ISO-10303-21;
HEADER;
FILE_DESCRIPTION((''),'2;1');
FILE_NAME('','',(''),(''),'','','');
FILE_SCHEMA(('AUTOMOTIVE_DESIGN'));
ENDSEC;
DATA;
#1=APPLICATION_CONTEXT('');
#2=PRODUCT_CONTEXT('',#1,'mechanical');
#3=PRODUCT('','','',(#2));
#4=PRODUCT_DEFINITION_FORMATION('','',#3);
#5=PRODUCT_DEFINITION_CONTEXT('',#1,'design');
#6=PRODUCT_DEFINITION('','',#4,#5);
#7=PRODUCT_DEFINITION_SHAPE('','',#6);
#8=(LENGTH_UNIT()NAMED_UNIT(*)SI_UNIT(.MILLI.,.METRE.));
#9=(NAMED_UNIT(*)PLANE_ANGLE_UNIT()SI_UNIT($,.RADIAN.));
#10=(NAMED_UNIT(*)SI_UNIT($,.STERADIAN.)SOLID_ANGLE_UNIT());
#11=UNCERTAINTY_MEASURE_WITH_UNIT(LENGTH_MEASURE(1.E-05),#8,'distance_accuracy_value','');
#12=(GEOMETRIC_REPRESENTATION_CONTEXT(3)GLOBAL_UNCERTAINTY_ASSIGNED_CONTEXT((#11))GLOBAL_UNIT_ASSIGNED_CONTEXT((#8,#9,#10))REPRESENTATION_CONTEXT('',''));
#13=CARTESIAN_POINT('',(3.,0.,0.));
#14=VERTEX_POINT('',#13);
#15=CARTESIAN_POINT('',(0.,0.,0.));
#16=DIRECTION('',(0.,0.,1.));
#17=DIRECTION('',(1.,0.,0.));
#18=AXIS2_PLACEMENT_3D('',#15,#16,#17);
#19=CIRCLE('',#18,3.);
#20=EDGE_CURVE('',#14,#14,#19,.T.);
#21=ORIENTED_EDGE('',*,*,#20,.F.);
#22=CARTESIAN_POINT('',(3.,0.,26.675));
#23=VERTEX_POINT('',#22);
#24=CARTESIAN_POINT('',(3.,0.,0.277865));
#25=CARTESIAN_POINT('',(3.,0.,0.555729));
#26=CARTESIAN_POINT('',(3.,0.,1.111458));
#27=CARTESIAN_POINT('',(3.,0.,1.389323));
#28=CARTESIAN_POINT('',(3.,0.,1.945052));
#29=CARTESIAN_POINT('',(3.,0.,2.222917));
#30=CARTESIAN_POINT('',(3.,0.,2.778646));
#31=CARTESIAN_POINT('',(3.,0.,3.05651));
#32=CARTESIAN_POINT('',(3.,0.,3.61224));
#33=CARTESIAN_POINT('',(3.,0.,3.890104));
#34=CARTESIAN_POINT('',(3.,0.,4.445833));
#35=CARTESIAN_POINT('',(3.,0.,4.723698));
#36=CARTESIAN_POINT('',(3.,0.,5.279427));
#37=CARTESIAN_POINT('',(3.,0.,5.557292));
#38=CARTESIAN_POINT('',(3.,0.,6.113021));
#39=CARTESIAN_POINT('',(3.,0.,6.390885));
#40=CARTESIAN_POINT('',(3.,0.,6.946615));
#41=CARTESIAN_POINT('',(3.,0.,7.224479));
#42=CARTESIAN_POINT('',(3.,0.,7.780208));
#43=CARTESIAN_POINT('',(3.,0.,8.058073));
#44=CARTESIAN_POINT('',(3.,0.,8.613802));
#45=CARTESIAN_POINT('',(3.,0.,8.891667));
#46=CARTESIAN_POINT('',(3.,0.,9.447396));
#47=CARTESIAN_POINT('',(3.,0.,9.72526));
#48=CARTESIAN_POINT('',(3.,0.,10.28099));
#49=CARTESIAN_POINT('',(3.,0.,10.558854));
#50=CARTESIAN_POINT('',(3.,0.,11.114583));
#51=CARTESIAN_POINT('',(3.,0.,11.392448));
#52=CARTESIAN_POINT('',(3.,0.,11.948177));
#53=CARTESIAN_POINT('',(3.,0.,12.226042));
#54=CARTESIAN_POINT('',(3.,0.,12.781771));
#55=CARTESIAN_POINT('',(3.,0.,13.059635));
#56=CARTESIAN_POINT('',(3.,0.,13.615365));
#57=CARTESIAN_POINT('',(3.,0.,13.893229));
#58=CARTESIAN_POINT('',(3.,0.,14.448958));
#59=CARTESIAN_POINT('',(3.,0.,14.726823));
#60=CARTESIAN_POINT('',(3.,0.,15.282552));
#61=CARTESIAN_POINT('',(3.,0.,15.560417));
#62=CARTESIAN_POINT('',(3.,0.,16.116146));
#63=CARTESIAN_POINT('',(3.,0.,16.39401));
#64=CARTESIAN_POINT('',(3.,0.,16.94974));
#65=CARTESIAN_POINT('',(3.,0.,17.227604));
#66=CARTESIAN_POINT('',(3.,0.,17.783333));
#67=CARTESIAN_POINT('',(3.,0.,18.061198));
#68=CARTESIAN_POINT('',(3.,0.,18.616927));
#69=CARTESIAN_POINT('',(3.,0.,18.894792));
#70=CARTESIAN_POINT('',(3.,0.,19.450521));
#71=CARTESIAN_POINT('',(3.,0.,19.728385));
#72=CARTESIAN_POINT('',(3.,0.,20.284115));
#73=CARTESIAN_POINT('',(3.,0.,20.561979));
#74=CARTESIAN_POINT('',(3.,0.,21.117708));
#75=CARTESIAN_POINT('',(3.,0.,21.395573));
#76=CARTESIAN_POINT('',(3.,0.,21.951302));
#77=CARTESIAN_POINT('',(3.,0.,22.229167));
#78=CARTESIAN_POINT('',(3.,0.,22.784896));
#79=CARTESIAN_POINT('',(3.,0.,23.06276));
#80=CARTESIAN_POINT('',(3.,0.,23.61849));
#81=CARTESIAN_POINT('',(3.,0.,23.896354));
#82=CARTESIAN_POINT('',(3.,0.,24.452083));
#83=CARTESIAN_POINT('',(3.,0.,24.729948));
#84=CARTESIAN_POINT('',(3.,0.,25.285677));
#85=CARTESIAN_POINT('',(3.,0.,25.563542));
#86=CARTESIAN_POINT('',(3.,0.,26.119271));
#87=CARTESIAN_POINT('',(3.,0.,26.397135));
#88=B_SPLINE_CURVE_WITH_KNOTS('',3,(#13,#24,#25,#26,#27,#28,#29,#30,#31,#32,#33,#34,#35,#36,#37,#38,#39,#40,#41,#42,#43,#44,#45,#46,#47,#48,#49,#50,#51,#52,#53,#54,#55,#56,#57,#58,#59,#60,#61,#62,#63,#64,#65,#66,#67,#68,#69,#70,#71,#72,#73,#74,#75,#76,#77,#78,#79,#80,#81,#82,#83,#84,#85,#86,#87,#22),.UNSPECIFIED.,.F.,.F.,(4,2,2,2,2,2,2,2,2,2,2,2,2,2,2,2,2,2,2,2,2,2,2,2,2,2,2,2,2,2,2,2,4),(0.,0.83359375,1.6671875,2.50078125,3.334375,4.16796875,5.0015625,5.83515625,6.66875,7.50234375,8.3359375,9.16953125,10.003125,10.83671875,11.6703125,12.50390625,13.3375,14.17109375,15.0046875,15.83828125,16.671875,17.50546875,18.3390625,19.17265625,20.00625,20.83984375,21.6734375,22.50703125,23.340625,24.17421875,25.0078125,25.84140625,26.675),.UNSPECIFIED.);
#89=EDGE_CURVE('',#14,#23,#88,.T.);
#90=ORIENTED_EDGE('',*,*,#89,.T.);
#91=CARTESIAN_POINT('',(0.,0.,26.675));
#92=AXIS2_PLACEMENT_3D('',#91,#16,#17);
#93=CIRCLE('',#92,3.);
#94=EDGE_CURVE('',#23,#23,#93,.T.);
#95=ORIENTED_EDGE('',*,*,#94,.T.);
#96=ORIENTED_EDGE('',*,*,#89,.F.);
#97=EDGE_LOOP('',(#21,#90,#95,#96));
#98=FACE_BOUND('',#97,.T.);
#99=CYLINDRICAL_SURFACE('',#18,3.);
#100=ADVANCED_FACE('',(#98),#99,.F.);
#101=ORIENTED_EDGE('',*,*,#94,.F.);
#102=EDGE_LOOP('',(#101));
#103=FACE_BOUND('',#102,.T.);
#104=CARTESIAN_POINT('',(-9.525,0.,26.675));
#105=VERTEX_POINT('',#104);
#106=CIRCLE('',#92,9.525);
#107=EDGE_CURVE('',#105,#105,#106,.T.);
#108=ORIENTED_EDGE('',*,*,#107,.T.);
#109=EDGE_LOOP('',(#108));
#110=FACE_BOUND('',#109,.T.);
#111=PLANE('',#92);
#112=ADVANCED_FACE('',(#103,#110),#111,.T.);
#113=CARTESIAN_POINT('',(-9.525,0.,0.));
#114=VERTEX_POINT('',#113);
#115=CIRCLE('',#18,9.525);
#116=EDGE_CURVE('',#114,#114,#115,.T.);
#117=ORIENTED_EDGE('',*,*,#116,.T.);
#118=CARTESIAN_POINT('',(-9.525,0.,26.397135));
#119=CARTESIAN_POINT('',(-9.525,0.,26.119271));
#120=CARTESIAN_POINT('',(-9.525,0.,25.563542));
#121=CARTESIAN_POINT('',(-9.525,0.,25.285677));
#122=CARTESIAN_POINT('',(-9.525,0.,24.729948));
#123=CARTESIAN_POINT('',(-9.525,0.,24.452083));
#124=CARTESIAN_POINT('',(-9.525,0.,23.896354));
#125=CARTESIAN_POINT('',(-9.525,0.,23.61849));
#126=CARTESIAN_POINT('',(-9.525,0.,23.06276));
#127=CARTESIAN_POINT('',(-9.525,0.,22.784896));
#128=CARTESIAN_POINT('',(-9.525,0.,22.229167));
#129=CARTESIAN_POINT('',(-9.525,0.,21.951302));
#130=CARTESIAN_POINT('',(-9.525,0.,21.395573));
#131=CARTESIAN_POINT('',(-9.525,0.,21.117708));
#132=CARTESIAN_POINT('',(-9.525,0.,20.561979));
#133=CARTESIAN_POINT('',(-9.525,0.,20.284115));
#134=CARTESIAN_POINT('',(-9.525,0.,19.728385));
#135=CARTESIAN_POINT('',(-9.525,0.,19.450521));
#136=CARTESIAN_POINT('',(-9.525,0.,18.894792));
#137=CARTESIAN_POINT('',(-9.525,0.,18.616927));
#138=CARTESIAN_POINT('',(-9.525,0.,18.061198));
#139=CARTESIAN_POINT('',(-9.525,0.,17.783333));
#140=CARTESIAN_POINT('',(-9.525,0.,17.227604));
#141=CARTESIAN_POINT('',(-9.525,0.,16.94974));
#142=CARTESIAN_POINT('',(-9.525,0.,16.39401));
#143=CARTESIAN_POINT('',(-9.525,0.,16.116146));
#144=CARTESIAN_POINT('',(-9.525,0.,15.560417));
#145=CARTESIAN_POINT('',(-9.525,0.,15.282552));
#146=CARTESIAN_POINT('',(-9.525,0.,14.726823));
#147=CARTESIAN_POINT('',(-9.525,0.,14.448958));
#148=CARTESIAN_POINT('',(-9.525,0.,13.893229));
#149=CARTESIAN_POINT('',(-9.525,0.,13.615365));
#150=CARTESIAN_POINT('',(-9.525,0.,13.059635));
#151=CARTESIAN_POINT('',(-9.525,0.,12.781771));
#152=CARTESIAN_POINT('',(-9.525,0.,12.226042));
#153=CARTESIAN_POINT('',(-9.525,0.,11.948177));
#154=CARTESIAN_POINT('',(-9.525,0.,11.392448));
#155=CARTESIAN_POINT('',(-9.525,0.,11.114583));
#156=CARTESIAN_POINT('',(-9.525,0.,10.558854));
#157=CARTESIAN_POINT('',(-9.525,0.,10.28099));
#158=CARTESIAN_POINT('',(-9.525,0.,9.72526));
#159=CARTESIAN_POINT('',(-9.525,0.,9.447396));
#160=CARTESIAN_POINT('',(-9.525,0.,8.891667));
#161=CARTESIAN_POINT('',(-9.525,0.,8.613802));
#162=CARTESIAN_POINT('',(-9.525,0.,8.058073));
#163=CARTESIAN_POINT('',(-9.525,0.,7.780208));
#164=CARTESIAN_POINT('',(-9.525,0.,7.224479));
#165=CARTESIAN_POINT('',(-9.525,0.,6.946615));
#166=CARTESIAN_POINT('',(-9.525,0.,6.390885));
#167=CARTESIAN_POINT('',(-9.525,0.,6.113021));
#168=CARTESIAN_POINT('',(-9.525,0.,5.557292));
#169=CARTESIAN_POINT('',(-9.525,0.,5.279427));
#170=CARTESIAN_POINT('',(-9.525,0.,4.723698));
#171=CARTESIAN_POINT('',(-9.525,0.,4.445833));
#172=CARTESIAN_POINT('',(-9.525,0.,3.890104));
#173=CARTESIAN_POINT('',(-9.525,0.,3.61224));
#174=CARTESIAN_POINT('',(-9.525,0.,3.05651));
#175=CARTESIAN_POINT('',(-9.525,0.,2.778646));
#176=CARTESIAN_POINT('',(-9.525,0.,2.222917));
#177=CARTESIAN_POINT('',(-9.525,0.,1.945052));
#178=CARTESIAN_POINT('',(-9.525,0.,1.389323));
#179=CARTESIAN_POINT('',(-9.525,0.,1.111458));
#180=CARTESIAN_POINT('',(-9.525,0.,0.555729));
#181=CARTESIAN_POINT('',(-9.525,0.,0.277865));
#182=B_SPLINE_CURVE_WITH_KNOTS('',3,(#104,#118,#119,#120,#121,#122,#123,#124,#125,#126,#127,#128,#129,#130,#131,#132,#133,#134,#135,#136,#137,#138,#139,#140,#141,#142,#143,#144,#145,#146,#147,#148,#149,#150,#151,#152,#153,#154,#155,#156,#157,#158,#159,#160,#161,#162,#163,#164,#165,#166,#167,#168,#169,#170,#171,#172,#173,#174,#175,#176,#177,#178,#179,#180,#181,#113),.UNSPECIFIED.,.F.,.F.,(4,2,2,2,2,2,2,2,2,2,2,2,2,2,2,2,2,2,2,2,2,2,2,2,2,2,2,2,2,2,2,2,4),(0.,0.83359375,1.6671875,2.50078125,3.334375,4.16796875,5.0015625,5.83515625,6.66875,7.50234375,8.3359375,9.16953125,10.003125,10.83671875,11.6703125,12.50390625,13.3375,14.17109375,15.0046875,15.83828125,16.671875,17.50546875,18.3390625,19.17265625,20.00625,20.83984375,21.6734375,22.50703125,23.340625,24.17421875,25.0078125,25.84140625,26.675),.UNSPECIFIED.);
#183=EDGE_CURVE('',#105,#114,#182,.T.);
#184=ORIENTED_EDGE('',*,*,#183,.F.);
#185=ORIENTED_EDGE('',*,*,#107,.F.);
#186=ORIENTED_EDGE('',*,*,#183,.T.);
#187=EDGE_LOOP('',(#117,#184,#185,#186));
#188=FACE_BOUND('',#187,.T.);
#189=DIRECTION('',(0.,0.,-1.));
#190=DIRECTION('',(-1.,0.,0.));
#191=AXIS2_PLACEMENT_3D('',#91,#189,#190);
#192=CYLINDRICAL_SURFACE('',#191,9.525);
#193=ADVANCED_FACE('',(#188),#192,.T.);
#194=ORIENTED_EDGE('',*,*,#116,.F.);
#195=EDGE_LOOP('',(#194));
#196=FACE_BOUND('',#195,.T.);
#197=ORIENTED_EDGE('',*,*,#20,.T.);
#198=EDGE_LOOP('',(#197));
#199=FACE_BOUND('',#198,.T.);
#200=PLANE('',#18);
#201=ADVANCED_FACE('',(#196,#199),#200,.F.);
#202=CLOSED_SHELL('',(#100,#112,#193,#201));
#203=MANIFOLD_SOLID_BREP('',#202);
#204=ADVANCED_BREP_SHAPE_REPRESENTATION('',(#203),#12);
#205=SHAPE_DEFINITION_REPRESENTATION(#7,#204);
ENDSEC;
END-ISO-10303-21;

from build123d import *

# Parameters (mm, degrees)
SKETCH1_R           = 9.525
BOSS_EXTRUDE1_DEPTH = 26.675
SKETCH2_R           = 3
CUT_EXTRUDE1_DEPTH  = 30.883220626


with BuildPart() as part:
    # Sketch1 → Boss-Extrude1 (new body)
    with BuildSketch(Plane.XY):
        with Locations(Location((0, 0, 0), (0, 0, 180))):
            Circle(SKETCH1_R)
    extrude(amount=BOSS_EXTRUDE1_DEPTH)

    # Sketch2 → Cut-Extrude1 (cut, through all)
    with BuildSketch(Plane.XY.offset(26.675)):
        Circle(SKETCH2_R)
    extrude(amount=-CUT_EXTRUDE1_DEPTH, mode=Mode.SUBTRACT)


solid = part.part
